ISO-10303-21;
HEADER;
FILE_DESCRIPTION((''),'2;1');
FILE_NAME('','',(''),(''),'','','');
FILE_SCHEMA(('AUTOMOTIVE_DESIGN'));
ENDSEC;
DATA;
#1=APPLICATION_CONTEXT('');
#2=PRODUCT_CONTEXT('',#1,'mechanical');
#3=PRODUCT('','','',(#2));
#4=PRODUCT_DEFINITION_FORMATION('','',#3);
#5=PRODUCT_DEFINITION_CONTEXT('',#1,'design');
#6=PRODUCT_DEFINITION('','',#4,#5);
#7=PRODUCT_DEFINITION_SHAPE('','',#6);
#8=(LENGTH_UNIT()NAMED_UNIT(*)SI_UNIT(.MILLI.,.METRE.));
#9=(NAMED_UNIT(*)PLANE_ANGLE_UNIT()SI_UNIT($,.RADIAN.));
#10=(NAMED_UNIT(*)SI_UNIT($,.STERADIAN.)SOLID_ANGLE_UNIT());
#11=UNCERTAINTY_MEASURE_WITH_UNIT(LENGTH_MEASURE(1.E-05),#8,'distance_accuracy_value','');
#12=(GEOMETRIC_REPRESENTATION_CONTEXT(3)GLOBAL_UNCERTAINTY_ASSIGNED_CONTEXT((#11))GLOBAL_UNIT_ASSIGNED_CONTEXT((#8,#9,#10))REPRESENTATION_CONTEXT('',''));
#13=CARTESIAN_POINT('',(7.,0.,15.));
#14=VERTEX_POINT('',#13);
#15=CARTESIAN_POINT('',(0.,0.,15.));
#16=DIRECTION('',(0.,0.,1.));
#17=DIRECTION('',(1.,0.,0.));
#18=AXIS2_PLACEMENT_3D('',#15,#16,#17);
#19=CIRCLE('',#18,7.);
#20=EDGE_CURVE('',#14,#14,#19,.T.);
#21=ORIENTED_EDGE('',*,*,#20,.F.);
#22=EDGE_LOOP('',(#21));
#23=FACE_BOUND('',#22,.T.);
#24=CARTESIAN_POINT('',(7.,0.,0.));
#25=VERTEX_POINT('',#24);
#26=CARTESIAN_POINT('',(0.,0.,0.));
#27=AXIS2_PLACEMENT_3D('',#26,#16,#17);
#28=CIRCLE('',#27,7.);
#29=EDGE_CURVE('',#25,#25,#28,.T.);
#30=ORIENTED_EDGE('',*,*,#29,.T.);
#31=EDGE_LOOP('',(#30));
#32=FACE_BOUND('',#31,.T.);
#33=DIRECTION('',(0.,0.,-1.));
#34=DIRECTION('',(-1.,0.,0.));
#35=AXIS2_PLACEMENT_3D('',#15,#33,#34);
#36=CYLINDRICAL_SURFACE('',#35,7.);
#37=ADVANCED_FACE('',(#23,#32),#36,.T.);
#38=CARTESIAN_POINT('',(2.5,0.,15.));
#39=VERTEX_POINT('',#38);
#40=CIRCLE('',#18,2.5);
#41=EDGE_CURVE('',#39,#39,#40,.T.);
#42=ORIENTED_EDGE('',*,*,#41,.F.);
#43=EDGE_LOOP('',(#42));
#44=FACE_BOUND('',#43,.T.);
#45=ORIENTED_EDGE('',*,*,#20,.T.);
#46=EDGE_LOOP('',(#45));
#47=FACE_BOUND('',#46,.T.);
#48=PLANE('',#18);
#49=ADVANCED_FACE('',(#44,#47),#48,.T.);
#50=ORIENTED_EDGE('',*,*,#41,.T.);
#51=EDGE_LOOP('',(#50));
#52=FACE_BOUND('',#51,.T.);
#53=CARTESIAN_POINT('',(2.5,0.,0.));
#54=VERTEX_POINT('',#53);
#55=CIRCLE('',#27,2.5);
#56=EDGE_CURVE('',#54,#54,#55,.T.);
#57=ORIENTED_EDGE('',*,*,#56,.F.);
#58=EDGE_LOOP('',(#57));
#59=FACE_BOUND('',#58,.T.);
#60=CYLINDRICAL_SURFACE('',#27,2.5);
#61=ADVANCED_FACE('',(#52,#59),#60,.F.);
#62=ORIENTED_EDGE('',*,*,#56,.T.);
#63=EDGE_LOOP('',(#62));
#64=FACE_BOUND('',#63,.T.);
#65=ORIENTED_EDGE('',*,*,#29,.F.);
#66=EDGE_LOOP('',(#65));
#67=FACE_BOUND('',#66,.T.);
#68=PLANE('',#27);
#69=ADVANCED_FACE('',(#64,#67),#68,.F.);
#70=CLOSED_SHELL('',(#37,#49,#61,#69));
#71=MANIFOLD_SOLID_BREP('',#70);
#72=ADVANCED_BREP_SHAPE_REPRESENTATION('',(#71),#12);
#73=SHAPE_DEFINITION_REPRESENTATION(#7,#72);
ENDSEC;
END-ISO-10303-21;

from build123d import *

# Parameters (mm, degrees)
SKETCH_1_R            = 7
FACTORY_INSERT_DEPTH  = 15
SKETCH_2_R            = 2.5
THREAD_ENVELOPE_DEPTH = 18.972200756


with BuildPart() as part:
    # 草图1 → Factory_insert (new body)
    with BuildSketch(Plane.XY):
        Circle(SKETCH_1_R)
    extrude(amount=FACTORY_INSERT_DEPTH)

    # 草图2 → Thread_envelope (cut, through all)
    with BuildSketch(Plane.XY.offset(15)):
        Circle(SKETCH_2_R)
    extrude(amount=-THREAD_ENVELOPE_DEPTH, mode=Mode.SUBTRACT)


solid = part.part
